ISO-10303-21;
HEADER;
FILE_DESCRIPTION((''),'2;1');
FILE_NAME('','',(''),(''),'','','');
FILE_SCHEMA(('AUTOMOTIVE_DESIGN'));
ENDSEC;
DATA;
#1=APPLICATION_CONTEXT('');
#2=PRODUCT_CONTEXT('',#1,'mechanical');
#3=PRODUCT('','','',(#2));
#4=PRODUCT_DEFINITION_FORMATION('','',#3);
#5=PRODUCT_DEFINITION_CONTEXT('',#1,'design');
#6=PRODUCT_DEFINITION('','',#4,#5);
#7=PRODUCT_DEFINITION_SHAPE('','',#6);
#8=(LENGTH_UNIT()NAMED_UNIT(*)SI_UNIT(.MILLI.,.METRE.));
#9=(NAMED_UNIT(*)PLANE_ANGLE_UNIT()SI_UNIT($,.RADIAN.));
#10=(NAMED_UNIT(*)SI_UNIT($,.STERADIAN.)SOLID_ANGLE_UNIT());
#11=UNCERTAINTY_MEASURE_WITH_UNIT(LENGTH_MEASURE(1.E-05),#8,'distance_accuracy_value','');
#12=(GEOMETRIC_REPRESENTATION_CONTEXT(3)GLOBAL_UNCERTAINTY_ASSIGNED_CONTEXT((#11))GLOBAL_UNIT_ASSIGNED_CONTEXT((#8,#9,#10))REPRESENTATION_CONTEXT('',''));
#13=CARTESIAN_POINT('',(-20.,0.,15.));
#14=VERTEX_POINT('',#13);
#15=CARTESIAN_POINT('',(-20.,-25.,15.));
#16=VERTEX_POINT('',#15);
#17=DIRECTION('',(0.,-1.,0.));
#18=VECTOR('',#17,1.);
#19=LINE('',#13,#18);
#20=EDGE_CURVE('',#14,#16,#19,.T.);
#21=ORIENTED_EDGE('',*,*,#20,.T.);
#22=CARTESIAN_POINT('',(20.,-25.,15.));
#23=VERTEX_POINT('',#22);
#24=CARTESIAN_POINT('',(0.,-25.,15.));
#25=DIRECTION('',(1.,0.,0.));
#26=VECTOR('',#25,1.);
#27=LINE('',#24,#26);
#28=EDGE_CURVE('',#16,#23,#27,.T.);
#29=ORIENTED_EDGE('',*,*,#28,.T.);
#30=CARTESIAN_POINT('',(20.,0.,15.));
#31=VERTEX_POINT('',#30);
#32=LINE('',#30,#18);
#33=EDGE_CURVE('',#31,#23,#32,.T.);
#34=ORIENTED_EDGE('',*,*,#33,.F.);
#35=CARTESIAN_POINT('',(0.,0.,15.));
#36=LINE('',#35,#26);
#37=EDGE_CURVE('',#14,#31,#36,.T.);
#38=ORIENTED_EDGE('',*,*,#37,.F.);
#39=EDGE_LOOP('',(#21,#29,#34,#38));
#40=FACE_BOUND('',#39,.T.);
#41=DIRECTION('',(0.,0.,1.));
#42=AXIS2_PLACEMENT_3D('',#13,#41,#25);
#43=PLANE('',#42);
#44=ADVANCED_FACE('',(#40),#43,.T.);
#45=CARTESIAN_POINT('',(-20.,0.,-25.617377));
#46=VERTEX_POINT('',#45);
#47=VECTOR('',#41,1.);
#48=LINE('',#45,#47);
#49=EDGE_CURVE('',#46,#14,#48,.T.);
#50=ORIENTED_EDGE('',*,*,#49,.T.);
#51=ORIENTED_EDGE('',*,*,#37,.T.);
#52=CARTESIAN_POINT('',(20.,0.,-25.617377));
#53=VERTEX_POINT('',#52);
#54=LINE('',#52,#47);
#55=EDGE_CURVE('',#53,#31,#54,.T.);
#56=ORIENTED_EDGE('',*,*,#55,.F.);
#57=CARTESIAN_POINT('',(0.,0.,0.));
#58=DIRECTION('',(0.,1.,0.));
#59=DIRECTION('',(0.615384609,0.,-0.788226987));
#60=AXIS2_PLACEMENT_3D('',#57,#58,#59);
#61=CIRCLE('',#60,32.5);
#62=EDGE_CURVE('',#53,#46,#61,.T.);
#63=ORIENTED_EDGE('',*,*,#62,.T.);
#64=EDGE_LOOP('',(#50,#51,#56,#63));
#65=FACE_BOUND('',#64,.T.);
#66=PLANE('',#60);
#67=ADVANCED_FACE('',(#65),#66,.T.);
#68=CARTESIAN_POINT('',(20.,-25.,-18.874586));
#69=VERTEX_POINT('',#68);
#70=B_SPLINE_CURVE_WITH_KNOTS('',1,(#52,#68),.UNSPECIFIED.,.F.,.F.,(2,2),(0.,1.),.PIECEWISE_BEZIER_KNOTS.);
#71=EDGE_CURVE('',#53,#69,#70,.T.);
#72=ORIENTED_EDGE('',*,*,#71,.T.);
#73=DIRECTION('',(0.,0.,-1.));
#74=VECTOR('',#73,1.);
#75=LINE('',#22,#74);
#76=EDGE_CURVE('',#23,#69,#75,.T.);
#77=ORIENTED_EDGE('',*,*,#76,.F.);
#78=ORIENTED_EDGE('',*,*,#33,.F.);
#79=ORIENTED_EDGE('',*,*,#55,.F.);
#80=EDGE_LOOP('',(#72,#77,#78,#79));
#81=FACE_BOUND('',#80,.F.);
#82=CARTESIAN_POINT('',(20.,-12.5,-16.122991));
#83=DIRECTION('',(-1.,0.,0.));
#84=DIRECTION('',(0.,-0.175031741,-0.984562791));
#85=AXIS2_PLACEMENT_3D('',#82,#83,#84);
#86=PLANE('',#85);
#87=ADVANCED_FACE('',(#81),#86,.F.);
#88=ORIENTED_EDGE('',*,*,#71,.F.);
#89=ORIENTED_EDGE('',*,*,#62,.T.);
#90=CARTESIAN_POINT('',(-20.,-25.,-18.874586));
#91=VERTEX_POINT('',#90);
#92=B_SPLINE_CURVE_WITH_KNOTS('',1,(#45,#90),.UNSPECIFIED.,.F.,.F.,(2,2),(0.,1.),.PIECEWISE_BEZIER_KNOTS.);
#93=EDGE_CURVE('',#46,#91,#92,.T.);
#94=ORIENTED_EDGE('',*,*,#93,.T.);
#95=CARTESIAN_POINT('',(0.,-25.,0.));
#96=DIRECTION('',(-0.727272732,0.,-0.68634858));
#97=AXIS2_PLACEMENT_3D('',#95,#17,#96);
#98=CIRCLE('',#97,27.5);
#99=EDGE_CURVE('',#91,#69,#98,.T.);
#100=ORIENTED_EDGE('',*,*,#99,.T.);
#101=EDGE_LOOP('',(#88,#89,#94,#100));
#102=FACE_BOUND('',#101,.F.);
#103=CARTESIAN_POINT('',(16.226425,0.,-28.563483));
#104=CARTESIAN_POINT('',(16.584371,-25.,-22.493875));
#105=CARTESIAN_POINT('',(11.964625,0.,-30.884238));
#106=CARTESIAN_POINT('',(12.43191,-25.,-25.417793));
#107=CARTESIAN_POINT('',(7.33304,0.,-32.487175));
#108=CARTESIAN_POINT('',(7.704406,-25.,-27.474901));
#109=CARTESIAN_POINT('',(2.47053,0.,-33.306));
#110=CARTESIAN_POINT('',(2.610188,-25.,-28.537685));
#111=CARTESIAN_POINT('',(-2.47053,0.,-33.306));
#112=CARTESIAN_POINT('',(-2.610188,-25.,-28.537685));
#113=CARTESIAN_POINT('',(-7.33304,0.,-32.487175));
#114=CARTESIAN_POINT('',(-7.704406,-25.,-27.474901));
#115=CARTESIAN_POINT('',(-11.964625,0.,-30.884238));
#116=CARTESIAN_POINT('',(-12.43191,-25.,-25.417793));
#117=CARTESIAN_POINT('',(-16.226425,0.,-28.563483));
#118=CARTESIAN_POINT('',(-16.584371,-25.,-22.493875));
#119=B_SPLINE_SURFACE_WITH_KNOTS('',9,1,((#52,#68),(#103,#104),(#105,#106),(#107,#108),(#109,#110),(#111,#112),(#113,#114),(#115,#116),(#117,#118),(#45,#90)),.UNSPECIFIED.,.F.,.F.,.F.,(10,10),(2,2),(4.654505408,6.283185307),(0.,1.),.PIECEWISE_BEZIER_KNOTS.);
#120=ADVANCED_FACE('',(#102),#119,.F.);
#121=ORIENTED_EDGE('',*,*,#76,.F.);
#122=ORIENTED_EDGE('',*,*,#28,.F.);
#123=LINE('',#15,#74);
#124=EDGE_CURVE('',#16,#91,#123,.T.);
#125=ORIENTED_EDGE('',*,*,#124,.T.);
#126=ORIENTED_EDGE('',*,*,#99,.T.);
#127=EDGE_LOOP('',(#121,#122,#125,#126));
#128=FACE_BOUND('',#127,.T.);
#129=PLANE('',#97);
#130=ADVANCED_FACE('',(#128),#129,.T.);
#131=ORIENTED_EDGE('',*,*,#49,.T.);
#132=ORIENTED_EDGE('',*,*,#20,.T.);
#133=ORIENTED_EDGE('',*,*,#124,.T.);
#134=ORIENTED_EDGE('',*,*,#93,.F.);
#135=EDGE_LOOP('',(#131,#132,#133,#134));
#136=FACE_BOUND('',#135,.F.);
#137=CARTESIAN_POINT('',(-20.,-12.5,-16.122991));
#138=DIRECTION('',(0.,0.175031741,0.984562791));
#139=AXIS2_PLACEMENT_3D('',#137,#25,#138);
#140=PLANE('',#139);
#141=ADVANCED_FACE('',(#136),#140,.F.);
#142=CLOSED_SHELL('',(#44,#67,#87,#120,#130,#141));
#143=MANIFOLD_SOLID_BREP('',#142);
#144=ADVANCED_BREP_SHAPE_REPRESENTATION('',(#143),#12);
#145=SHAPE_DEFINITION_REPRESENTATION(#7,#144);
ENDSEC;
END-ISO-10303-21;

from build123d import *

# Parameters (mm, degrees)
F0_W     = 40
F0_H     = 25
F1_DEPTH = 25


with BuildPart() as f1:
    # F0 (on Front) → F1 (new body)
    with BuildSketch(Plane.XZ):
        with Locations((0, 2.5)):
            Rectangle(F0_W, F0_H)
    extrude(amount=F1_DEPTH)

    # F3 (on face) → F4 section 0
    with BuildSketch(Plane(origin=(0, 0, 0), x_dir=(-1, 0, 0), z_dir=(0, 1, 0))):
        with BuildLine():
            Line((-20, -10), (-20, -25.617377))
            ThreePointArc((-20, -25.617377), (0, -32.5), (20, -25.617377))
            Line((20, -25.617377), (20, -10))
            Line((20, -10), (-20, -10))
        make_face()
    # F2 (on face) → F4 section 1
    with BuildSketch(Plane.XZ.offset(25)):
        with BuildLine():
            Line((-20, -10), (-20, -18.874586))
            ThreePointArc((-20, -18.874586), (0, -27.5), (20, -18.874586))
            Line((20, -18.874586), (20, -10))
            Line((20, -10), (-20, -10))
        make_face()
    loft()


solid = f1.part
